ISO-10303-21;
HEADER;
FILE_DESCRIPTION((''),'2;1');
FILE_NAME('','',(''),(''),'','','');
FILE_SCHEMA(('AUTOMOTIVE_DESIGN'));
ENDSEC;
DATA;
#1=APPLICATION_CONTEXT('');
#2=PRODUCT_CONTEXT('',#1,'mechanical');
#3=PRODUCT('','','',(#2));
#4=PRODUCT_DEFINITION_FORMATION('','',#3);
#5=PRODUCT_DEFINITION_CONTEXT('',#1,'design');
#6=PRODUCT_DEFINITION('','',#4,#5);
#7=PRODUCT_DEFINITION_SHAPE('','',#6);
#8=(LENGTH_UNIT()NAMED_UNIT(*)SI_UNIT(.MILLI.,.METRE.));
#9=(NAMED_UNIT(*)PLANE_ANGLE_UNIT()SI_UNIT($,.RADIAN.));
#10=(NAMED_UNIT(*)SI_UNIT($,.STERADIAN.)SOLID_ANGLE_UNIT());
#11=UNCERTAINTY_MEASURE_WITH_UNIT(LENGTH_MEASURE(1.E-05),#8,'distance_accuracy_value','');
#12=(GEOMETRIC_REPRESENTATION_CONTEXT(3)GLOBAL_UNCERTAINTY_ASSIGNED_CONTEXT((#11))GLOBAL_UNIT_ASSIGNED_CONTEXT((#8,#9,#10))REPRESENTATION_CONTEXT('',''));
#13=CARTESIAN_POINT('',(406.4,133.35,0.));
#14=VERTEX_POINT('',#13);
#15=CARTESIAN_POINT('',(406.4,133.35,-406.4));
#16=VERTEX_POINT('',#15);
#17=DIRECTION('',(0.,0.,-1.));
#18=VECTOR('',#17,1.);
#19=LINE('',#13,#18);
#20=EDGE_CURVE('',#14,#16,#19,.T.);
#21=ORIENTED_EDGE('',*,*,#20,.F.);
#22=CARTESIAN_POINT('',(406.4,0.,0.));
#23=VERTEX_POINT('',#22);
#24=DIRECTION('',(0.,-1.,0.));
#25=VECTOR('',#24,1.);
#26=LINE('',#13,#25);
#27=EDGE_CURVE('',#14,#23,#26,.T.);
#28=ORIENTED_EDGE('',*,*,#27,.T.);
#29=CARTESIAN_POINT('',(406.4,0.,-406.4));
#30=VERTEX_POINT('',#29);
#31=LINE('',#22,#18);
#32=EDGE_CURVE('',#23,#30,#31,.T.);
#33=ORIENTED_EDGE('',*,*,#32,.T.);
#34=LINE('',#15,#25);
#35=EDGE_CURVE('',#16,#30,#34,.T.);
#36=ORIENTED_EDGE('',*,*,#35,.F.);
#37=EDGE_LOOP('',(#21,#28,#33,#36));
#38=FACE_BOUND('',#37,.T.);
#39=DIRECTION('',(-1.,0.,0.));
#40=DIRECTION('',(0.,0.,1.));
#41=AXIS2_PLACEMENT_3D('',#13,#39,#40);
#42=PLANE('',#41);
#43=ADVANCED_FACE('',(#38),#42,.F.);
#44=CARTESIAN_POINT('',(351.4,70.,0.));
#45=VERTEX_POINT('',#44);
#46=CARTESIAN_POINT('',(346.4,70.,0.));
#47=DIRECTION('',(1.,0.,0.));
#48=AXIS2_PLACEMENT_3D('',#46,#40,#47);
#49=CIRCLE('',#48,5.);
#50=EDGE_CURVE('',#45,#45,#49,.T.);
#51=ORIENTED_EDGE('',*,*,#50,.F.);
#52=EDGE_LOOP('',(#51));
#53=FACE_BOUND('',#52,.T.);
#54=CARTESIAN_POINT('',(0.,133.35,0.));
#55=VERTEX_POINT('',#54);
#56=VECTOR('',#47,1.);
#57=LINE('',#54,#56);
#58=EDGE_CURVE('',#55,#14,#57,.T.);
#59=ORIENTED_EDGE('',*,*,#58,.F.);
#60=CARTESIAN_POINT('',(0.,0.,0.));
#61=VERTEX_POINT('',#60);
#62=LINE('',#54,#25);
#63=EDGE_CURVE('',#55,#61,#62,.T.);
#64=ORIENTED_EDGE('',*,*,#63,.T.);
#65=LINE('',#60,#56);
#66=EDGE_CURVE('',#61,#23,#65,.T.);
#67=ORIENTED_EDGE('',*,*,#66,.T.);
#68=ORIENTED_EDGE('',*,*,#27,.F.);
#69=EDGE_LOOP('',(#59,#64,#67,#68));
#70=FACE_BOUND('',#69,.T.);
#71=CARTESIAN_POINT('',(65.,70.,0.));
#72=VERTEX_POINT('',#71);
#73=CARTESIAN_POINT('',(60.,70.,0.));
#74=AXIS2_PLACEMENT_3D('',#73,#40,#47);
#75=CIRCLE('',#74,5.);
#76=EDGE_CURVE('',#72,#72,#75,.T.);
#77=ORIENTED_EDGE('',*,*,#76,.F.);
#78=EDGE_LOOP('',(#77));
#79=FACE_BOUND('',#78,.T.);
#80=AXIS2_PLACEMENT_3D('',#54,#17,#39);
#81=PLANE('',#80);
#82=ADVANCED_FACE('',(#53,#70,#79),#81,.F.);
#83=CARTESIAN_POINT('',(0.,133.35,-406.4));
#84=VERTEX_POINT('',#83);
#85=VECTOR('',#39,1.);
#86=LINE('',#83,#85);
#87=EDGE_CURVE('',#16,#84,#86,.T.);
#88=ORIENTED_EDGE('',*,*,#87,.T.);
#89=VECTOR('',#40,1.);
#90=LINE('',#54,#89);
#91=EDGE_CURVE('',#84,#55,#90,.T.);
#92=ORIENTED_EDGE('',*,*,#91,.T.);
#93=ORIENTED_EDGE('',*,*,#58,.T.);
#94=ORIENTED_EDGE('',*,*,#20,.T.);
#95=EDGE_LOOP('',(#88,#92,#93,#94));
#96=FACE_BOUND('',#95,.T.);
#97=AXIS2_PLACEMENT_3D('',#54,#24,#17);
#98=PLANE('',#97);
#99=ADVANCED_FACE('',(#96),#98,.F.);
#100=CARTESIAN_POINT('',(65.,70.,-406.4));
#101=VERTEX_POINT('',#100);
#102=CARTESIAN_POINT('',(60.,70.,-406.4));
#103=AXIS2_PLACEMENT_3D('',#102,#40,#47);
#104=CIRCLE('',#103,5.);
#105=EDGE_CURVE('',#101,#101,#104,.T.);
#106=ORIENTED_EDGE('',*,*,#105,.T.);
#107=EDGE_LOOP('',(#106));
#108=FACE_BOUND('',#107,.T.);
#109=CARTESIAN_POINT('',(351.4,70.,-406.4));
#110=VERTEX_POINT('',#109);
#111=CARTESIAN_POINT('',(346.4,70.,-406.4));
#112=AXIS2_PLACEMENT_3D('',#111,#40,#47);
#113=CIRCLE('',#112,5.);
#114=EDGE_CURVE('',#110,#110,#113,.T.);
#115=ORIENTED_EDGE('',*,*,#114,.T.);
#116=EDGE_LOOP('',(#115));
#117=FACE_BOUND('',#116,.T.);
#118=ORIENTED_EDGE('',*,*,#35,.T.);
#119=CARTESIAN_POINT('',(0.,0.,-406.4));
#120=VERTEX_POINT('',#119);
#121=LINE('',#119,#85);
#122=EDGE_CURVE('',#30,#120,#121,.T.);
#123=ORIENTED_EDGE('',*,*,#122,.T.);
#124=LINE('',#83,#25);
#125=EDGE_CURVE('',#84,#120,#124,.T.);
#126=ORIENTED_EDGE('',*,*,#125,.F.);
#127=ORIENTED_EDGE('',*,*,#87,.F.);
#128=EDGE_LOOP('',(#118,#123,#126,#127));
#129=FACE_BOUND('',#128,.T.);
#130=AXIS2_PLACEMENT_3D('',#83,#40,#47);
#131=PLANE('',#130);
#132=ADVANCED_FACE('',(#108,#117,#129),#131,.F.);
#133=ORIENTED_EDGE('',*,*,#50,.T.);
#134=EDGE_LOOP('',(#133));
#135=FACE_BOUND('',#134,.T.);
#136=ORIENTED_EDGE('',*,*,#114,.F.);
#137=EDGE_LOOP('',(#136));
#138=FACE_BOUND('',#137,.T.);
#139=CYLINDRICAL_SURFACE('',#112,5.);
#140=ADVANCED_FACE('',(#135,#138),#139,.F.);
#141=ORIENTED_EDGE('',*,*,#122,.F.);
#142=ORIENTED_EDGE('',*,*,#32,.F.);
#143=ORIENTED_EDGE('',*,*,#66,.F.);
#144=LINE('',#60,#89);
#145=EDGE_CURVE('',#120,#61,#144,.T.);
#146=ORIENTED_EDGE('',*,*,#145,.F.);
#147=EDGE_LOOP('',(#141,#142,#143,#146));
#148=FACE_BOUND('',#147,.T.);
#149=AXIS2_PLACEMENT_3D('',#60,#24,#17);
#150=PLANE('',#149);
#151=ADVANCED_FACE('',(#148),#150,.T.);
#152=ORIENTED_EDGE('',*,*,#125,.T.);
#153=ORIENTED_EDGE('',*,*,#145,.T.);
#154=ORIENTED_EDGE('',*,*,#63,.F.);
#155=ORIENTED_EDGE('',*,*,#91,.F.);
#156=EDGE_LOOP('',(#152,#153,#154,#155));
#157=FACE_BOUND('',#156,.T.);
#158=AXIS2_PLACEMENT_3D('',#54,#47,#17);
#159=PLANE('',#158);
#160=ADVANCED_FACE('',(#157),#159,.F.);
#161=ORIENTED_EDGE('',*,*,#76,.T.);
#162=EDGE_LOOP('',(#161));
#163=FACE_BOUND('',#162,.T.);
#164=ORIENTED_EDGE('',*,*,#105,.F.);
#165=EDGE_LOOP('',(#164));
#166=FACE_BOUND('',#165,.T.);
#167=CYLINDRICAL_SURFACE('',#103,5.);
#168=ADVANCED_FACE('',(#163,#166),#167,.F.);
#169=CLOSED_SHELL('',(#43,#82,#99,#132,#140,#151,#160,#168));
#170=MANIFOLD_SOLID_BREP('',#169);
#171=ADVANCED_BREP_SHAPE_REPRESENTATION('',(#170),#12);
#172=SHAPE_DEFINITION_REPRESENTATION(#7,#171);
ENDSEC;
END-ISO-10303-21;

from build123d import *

# Parameters (mm, degrees)
SKETCH1_W           = 406.4
SKETCH1_H           = 406.4
BOSS_EXTRUDE1_DEPTH = 133.35
SKETCH2_R           = 5
CUT_EXTRUDE1_DEPTH  = 407.4


with BuildPart() as part:
    # Sketch1 → Boss-Extrude1 (new body)
    with BuildSketch(Plane(origin=(0, 0, 0), x_dir=(1, 0, 0), z_dir=(0, 1, 0))):
        with Locations((203.2, 203.2)):
            Rectangle(SKETCH1_W, SKETCH1_H)
    extrude(amount=BOSS_EXTRUDE1_DEPTH)

    # Sketch2 → Cut-Extrude1 (cut, through all)
    with BuildSketch(Plane.XY):
        with Locations((60, 70)):
            Circle(SKETCH2_R)
        with Locations((346.4, 70)):
            Circle(SKETCH2_R)
    extrude(amount=-CUT_EXTRUDE1_DEPTH, mode=Mode.SUBTRACT)


solid = part.part
